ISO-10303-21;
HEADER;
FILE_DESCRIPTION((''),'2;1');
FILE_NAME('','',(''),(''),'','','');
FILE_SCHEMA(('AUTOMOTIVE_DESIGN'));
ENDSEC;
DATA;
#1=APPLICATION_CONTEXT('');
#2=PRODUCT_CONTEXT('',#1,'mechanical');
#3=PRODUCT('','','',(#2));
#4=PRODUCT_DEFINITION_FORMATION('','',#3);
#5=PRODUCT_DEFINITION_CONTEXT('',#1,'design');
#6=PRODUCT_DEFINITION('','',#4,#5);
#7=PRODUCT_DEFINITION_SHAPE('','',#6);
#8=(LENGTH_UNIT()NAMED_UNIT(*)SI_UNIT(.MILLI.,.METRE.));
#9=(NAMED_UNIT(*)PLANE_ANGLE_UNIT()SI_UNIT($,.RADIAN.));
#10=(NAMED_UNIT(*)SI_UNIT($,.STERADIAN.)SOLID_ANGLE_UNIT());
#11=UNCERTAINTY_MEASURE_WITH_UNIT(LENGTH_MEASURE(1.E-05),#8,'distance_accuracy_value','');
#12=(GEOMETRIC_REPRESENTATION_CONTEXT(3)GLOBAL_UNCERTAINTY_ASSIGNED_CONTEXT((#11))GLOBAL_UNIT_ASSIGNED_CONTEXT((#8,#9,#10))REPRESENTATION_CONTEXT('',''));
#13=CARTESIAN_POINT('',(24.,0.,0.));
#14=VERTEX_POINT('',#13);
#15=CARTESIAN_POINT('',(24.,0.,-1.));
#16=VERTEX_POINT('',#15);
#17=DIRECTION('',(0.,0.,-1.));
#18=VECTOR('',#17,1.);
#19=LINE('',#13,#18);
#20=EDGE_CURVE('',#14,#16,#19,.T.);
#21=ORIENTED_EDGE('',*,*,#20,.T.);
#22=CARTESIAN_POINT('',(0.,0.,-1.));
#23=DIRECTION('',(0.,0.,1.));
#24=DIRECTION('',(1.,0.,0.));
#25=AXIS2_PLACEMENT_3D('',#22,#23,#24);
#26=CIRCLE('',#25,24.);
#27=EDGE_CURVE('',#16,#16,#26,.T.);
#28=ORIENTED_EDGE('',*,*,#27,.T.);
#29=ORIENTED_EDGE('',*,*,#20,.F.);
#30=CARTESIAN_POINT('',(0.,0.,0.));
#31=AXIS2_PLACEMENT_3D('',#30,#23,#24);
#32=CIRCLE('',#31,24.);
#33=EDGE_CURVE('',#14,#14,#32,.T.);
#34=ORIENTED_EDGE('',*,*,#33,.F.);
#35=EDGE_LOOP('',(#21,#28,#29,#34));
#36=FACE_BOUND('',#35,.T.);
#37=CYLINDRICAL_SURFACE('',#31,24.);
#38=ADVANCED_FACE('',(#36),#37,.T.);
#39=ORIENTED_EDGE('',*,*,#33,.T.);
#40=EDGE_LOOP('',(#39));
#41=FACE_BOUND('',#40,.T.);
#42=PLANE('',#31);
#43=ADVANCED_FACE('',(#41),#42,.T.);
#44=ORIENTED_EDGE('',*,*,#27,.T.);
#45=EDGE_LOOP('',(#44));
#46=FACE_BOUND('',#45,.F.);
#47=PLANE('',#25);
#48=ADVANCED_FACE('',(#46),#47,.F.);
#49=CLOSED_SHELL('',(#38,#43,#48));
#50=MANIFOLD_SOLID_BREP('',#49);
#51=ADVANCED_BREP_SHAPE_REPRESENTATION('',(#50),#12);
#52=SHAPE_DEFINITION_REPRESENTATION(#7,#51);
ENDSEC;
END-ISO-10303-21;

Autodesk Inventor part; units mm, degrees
sketch "Sketch_1" plane through (0, 0, 0) normal (0, 0, 1) x (1, 0, 0)
  circle A0 centre (0, 0) radius 24
extrude "Extrusion1" add sketch "Sketch_1" against normal blind 1
ref_plane "CUP_XY" through (0, 0, 0) normal (0, 0, 1) x (1, 0, 0)
ref_plane "CUP_YZ" through (0, 0, 0) normal (1, 0, 0) x (0, 1, 0)
ref_plane "CUP_ZX" through (0, 0, 0) normal (0, 1, 0) x (0, 0, 1)
properties part number "EGC-80-TB-KF__(CUP)"
